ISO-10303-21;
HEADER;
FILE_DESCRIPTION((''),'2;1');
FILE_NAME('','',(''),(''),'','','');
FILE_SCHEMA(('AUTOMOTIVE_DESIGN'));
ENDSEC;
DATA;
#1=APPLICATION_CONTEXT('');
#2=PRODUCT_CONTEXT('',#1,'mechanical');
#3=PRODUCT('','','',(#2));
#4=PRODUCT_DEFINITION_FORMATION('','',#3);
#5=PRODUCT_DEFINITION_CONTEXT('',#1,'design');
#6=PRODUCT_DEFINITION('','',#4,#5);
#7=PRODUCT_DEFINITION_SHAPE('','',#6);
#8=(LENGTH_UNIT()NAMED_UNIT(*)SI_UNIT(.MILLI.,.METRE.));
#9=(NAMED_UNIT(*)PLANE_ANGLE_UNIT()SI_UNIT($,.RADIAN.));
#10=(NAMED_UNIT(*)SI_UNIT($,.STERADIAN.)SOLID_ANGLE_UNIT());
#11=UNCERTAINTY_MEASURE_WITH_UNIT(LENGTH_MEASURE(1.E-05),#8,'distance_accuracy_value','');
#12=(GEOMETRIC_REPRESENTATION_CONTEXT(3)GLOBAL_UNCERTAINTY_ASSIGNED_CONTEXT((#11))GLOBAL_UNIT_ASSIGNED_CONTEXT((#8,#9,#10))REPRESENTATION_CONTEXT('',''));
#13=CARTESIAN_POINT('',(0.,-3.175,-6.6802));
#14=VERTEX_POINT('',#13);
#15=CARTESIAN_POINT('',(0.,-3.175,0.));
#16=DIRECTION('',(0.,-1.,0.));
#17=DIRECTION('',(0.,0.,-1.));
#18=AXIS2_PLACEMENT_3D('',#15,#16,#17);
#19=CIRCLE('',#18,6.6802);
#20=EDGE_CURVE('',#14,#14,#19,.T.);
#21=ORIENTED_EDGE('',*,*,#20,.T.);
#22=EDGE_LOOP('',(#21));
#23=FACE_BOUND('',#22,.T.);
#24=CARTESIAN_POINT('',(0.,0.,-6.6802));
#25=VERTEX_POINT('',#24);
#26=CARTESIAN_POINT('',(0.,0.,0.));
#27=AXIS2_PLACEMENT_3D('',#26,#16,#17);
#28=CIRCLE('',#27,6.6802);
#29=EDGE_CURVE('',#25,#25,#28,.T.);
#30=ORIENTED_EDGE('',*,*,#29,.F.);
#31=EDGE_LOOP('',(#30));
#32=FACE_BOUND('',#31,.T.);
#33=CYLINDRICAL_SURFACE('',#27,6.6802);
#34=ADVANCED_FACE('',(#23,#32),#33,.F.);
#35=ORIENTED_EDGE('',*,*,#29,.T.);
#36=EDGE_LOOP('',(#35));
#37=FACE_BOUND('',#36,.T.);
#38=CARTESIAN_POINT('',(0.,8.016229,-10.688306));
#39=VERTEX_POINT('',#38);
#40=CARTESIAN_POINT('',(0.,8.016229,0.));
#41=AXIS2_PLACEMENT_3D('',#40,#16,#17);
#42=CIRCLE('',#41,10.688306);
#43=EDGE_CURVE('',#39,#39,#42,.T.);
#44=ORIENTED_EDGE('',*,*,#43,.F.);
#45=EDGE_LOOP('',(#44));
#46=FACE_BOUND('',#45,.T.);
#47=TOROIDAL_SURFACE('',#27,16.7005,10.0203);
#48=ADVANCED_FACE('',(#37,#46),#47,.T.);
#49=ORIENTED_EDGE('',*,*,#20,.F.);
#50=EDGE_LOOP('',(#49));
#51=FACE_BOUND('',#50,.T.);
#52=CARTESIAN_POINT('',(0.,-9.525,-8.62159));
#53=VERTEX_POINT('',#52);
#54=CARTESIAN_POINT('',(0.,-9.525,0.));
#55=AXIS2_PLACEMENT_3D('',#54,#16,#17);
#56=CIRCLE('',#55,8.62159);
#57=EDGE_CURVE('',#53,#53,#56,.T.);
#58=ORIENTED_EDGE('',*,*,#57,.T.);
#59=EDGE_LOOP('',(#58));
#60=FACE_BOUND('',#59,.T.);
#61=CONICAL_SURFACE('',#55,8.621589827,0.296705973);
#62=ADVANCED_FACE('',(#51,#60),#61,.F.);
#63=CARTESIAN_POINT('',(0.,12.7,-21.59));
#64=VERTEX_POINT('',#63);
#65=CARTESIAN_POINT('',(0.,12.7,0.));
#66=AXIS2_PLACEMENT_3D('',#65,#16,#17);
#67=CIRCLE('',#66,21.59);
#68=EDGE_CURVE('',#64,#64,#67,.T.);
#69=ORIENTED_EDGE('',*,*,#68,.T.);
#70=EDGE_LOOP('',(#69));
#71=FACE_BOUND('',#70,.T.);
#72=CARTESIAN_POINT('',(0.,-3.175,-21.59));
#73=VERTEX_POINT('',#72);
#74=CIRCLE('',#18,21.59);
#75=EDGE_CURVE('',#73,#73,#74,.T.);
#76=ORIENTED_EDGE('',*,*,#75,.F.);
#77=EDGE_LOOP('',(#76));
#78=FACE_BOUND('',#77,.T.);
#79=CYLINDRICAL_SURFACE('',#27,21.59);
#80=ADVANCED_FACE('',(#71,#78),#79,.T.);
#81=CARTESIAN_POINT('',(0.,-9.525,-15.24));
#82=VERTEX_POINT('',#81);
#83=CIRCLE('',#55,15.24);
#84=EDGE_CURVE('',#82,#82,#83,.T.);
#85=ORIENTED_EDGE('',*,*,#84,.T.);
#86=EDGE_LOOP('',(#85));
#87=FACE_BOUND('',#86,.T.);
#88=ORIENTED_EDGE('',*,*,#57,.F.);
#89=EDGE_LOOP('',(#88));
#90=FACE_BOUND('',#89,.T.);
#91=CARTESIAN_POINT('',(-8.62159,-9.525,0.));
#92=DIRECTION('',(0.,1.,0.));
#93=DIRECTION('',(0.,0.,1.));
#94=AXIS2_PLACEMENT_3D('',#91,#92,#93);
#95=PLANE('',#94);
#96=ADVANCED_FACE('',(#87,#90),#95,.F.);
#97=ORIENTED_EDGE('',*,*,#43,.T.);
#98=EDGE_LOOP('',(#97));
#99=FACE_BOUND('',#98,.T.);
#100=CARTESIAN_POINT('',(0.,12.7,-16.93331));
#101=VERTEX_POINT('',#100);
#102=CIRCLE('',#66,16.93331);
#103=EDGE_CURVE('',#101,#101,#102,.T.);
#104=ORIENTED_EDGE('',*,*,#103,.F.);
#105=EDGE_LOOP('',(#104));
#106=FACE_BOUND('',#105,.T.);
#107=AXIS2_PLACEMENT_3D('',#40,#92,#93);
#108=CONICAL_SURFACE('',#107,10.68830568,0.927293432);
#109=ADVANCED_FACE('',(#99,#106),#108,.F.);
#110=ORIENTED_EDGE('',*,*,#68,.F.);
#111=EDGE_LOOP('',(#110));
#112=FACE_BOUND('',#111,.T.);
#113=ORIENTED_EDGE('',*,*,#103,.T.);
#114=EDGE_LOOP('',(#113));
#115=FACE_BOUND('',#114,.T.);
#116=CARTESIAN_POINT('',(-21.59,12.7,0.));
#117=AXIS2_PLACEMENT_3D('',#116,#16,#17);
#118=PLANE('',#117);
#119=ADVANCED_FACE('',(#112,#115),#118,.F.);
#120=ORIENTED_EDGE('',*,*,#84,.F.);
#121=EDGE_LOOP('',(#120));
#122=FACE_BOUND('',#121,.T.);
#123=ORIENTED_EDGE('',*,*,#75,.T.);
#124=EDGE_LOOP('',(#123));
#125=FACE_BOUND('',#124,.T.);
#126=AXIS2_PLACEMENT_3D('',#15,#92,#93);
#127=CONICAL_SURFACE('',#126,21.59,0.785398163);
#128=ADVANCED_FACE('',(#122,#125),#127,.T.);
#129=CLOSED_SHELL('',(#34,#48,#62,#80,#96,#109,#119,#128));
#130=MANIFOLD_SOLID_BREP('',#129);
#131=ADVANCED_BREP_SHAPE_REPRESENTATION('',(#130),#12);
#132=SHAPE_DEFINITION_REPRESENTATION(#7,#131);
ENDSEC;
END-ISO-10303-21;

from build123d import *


with BuildPart() as part:
    # Sketch1 → Revolve1 (revolve)
    with BuildSketch(Plane.XY):
        with BuildLine():
            Line((-16.933310091, 12.7), (-10.68830568, 8.01622926))
            ThreePointArc((-10.68830568, 8.01622926), (-7.738067215, 4.481206386), (-6.6802, 0))
            Line((-6.6802, 0), (-6.6802, -3.175))
            Line((-6.6802, -3.175), (-8.621589827, -9.525))
            Line((-8.621589827, -9.525), (-15.24, -9.525))
            Line((-15.24, -9.525), (-21.59, -3.175))
            Line((-21.59, -3.175), (-21.59, 12.7))
            Line((-21.59, 12.7), (-16.933310091, 12.7))
        make_face()
    revolve(axis=Axis((0, 0, 0), (0, 1, 0)))


solid = part.part
